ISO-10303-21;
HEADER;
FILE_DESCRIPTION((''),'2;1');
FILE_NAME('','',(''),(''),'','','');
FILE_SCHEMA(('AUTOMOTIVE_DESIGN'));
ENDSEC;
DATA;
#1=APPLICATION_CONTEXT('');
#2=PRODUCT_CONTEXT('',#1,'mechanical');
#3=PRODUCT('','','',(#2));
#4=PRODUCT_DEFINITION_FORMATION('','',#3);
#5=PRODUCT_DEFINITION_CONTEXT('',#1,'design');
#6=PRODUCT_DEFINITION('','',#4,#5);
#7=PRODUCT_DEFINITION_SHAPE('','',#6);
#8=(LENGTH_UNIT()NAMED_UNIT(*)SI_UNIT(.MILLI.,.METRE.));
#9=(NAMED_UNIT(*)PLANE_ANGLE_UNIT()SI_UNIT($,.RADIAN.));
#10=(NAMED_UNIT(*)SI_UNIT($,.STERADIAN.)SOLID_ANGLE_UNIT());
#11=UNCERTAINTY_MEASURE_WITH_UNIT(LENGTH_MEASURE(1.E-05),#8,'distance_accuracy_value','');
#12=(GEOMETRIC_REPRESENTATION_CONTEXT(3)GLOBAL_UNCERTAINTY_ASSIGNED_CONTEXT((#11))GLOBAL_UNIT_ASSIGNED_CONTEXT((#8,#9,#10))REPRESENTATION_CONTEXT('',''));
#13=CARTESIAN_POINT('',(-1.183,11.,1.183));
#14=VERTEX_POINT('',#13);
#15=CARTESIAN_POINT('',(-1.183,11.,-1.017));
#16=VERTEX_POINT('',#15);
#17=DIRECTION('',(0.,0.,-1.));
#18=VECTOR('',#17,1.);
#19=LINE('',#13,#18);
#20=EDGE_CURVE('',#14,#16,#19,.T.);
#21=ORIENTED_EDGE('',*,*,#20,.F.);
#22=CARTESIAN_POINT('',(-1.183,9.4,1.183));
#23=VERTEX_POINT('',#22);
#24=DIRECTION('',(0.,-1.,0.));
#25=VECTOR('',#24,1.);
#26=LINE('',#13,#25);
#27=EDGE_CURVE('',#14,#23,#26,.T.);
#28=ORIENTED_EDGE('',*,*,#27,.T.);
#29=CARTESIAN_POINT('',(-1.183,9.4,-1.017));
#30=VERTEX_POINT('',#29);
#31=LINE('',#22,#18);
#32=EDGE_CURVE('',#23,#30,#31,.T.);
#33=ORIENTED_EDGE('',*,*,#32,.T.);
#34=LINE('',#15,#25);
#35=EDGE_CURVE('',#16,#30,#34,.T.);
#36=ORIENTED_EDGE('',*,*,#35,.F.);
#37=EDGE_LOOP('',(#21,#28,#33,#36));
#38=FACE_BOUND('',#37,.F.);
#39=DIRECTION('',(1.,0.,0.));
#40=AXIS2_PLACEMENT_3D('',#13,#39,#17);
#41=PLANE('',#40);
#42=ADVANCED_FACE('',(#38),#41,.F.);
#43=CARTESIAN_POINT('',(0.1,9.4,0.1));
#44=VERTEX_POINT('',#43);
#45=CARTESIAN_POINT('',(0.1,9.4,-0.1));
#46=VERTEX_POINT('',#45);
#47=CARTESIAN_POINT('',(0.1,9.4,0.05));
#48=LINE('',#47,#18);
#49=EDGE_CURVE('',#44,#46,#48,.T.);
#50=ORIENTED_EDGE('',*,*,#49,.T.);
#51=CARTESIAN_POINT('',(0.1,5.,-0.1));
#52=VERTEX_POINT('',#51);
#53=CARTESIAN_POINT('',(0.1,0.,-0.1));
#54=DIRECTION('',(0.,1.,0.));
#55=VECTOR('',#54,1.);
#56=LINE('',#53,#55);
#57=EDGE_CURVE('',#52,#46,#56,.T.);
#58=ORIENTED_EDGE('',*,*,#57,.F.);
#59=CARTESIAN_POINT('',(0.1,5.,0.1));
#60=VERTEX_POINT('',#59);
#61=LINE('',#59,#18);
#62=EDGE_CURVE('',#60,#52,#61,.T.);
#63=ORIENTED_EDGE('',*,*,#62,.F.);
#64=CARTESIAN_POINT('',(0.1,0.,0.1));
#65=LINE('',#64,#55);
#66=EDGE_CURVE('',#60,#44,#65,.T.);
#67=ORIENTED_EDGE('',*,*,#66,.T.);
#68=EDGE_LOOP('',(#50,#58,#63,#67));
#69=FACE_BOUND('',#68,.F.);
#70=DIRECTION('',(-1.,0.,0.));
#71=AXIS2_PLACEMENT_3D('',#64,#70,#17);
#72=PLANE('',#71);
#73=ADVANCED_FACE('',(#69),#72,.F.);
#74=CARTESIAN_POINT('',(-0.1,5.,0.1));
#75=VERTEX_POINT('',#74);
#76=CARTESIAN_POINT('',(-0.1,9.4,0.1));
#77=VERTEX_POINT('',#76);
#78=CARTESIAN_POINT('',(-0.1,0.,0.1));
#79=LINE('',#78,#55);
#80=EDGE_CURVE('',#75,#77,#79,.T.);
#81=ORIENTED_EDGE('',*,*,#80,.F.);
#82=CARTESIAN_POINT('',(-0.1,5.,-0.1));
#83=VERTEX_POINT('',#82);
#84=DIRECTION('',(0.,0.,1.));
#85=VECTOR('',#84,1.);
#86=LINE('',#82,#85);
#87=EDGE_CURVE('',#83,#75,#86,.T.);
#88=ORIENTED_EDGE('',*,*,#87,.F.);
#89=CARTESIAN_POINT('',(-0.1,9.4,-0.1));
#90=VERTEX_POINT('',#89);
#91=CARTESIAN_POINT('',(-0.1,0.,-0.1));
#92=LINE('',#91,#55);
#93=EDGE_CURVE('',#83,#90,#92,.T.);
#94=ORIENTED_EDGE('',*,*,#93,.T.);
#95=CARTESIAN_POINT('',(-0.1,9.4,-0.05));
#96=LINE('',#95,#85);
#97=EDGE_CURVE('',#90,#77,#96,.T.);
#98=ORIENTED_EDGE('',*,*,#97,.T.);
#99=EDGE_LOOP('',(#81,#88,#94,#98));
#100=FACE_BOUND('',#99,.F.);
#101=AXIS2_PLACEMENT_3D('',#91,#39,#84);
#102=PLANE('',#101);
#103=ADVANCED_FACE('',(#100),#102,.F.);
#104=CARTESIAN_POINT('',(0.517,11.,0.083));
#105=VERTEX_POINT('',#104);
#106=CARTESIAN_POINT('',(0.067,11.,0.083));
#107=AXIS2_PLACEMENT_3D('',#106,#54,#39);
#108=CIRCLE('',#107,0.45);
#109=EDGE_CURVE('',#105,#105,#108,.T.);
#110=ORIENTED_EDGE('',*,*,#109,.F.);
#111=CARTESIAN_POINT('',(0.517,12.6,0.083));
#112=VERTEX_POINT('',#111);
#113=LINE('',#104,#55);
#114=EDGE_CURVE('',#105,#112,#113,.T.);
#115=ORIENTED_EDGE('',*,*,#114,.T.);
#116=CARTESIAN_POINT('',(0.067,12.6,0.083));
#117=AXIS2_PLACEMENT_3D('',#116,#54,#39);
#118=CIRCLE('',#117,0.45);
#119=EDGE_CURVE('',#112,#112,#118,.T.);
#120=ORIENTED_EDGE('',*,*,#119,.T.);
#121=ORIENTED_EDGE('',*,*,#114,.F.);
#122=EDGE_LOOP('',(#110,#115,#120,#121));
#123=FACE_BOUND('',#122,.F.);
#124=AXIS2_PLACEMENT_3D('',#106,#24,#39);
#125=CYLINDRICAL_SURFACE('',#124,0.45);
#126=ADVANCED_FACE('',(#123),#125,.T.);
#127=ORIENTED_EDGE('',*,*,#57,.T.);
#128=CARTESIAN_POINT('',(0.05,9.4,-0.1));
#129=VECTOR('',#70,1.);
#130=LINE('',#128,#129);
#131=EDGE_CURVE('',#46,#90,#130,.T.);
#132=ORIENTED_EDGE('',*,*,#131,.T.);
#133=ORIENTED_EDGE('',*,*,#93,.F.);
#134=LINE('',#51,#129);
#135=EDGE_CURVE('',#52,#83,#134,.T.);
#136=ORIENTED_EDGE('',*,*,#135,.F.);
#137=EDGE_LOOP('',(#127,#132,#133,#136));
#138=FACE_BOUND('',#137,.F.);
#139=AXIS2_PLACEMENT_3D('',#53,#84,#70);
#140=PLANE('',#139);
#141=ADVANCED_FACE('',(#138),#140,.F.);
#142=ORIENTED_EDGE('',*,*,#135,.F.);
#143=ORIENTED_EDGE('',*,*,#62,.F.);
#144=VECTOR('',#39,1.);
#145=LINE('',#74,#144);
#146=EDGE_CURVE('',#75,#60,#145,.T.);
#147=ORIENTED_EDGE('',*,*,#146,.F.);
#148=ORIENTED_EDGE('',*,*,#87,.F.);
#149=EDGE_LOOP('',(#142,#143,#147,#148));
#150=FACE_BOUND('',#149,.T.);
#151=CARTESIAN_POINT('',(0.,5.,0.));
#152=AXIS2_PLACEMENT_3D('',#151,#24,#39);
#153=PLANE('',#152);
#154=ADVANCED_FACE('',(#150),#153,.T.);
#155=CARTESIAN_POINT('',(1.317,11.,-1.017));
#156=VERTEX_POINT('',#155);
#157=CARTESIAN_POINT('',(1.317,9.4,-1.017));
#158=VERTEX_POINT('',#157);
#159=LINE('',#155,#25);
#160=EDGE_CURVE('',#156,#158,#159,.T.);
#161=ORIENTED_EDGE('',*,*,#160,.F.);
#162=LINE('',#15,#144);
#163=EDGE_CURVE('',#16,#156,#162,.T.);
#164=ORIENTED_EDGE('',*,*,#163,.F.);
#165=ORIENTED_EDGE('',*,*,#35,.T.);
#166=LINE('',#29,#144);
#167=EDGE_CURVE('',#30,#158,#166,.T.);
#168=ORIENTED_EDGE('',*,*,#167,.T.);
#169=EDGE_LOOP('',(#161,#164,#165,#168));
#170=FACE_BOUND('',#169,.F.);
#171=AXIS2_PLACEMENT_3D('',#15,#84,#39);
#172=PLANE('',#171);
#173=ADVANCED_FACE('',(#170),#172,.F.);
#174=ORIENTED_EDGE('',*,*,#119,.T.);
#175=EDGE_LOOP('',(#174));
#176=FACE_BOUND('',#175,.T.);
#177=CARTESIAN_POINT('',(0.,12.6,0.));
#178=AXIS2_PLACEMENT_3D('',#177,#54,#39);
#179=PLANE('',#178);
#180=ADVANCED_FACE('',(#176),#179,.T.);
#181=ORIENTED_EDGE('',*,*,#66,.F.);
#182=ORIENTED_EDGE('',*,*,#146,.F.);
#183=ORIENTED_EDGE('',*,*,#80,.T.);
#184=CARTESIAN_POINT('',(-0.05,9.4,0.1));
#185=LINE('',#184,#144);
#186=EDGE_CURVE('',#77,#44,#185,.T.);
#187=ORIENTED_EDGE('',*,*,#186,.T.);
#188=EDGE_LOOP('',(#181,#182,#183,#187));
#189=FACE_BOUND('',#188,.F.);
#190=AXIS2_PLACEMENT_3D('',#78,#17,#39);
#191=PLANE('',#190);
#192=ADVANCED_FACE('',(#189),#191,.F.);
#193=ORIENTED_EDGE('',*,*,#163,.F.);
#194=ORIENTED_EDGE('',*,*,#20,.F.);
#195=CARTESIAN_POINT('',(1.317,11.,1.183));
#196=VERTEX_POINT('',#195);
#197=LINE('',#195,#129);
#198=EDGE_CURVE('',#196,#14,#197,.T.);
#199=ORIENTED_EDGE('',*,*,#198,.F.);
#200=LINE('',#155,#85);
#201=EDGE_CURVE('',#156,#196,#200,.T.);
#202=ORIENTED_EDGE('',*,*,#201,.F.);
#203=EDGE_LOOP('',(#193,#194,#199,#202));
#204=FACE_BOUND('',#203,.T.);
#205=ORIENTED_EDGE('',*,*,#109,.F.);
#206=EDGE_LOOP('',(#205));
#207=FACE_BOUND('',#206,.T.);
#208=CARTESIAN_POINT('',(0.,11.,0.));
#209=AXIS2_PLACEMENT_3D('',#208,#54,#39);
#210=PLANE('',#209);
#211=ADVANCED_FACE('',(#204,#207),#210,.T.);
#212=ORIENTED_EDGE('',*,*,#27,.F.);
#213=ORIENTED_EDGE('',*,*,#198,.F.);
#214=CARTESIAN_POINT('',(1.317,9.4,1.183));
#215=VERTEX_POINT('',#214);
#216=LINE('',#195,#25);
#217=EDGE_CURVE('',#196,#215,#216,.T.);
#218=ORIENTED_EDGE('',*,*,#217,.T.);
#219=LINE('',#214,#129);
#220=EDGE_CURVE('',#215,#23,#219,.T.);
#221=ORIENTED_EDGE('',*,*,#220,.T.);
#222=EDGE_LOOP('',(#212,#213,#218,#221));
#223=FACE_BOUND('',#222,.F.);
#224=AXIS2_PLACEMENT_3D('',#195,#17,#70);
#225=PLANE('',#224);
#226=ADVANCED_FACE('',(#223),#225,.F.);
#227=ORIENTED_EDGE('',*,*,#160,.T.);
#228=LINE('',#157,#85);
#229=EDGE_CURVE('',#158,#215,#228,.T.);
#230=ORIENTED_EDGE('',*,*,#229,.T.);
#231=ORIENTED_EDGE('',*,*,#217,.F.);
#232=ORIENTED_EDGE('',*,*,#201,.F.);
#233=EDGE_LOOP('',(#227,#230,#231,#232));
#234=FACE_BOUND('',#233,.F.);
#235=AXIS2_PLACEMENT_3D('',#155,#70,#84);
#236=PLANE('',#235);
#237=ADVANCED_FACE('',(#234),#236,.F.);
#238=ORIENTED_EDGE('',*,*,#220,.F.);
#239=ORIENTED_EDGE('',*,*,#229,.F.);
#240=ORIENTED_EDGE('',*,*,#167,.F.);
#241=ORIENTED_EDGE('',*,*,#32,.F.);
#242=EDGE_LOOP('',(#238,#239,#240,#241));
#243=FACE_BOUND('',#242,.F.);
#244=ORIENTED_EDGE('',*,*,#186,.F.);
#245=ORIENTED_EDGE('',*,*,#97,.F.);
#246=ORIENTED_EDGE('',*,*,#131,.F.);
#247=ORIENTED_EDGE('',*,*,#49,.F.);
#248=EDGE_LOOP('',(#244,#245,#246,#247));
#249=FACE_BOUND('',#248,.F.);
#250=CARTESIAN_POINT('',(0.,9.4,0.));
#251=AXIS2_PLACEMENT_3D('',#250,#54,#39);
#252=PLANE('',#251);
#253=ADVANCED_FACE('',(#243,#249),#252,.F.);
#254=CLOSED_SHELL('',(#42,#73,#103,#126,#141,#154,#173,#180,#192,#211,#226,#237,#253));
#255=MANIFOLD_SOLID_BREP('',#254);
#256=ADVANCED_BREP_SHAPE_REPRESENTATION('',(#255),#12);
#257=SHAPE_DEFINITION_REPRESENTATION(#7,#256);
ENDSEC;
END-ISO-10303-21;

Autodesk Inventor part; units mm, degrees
ref_plane "YZ Plane" through (0, 0, 0) normal (1, 0, 0) x (0, 1, 0)
ref_plane "XZ Plane" through (0, 0, 0) normal (0, 1, 0) x (-1, 0, 0)
ref_plane "XY Plane" through (0, 0, 0) normal (0, 0, 1) x (1, 0, 0)
sketch "Boceto1" plane through (0, 0, 0) normal (0, 1, 0) x (-1, 0, 0)
  line L0 (0.1, 0.1) -> (-0.1, 0.1)
  line L1 (-0.1, 0.1) -> (-0.1, -0.1)
  line L2 (-0.1, -0.1) -> (0.1, -0.1)
  line L3 (0.1, -0.1) -> (0.1, 0.1)
  point P0 (0, 0)
  dimension "L" = 0.2
  dimension "d1" = 0.2
  dimension "d2" = 0.1
  dimension "d3" = 0.1
extrude "Extrusión1" add sketch "Boceto1" along normal blind 11
sketch "Boceto2" plane through (0, 11, 0) normal (0, 1, 0) x (1, 0, 0)
  line L0 (-1.183, 1.017) -> (1.317, 1.017)
  line L1 (1.317, 1.017) -> (1.317, -1.183)
  line L2 (1.317, -1.183) -> (-1.183, -1.183)
  line L3 (-1.183, -1.183) -> (-1.183, 1.017)
  point P0 (0, 0)
  dimension "d6" = 2.2
  dimension "d7" = 2.5
extrude "Extrusión2" add sketch "Boceto2" against normal blind 1.6
ref_plane "Plano de trabajo1" through (0.067, 11, 1.183) normal (1, 0, 0) x (0, 0, -1)
ref_plane "Plano de trabajo2" through (-1.183, 11, 0.083) normal (0, 0, 1) x (1, 0, 0)
ref_plane "Plano de trabajo3" through (-1.183, 11, 0.083) normal (0, 0, 1) x (1, 0, 0)
ref_plane "Plano de trabajo4" through (0, 11, 0) normal (0, 1, 0) x (1, 0, 0)
sketch "Boceto3" plane through (0, 11, 0) normal (0, 1, 0) x (1, 0, 0)
  circle A0 centre (0.067, -0.083) radius 0.45
  line L0 (1.317, -1.183) -> (1.317, 1.017) projected
  line L1 (1.317, 1.017) -> (-1.183, 1.017) projected
  line L2 (-1.183, 1.017) -> (-1.183, -1.183) projected
  line L3 (-1.183, -1.183) -> (1.317, -1.183) projected
  point P0 (0, 0)
  dimension "d11" = 0.9
  dimension "d12" = 1.1
  dimension "d13" = 1.25
extrude "Extrusión3" add sketch "Boceto3" along normal blind 1.6 contours A0
sketch "Boceto4" plane through (0, 0, 0) normal (0, -1, 0) x (1, 0, 0)
  line L0 (0.1, 0.1) -> (0.1, -0.1) projected
  line L1 (-0.1, 0.1) -> (0.1, 0.1) projected
  line L2 (-0.1, -0.1) -> (-0.1, 0.1) projected
  line L3 (0.1, -0.1) -> (-0.1, -0.1) projected
  line L4 (0.1, -0.1) -> (0.1, 0.1) projected
  line L5 (0.1, 0.1) -> (-0.1, 0.1)
  line L6 (-0.1, 0.1) -> (-0.1, -0.1)
  line L7 (-0.1, -0.1) -> (0.1, -0.1)
  line L8 (0.1, -0.1) -> (0.1, 0.1)
  point P0 (0, 0)
extrude "Extrusión4" cut sketch "Boceto4" against normal blind 5
equation "\"d1\" = L"
equation "\"d2\" = 0.5 * L"
equation "\"d3\" = 0.5 * L"
properties part number "pata"
